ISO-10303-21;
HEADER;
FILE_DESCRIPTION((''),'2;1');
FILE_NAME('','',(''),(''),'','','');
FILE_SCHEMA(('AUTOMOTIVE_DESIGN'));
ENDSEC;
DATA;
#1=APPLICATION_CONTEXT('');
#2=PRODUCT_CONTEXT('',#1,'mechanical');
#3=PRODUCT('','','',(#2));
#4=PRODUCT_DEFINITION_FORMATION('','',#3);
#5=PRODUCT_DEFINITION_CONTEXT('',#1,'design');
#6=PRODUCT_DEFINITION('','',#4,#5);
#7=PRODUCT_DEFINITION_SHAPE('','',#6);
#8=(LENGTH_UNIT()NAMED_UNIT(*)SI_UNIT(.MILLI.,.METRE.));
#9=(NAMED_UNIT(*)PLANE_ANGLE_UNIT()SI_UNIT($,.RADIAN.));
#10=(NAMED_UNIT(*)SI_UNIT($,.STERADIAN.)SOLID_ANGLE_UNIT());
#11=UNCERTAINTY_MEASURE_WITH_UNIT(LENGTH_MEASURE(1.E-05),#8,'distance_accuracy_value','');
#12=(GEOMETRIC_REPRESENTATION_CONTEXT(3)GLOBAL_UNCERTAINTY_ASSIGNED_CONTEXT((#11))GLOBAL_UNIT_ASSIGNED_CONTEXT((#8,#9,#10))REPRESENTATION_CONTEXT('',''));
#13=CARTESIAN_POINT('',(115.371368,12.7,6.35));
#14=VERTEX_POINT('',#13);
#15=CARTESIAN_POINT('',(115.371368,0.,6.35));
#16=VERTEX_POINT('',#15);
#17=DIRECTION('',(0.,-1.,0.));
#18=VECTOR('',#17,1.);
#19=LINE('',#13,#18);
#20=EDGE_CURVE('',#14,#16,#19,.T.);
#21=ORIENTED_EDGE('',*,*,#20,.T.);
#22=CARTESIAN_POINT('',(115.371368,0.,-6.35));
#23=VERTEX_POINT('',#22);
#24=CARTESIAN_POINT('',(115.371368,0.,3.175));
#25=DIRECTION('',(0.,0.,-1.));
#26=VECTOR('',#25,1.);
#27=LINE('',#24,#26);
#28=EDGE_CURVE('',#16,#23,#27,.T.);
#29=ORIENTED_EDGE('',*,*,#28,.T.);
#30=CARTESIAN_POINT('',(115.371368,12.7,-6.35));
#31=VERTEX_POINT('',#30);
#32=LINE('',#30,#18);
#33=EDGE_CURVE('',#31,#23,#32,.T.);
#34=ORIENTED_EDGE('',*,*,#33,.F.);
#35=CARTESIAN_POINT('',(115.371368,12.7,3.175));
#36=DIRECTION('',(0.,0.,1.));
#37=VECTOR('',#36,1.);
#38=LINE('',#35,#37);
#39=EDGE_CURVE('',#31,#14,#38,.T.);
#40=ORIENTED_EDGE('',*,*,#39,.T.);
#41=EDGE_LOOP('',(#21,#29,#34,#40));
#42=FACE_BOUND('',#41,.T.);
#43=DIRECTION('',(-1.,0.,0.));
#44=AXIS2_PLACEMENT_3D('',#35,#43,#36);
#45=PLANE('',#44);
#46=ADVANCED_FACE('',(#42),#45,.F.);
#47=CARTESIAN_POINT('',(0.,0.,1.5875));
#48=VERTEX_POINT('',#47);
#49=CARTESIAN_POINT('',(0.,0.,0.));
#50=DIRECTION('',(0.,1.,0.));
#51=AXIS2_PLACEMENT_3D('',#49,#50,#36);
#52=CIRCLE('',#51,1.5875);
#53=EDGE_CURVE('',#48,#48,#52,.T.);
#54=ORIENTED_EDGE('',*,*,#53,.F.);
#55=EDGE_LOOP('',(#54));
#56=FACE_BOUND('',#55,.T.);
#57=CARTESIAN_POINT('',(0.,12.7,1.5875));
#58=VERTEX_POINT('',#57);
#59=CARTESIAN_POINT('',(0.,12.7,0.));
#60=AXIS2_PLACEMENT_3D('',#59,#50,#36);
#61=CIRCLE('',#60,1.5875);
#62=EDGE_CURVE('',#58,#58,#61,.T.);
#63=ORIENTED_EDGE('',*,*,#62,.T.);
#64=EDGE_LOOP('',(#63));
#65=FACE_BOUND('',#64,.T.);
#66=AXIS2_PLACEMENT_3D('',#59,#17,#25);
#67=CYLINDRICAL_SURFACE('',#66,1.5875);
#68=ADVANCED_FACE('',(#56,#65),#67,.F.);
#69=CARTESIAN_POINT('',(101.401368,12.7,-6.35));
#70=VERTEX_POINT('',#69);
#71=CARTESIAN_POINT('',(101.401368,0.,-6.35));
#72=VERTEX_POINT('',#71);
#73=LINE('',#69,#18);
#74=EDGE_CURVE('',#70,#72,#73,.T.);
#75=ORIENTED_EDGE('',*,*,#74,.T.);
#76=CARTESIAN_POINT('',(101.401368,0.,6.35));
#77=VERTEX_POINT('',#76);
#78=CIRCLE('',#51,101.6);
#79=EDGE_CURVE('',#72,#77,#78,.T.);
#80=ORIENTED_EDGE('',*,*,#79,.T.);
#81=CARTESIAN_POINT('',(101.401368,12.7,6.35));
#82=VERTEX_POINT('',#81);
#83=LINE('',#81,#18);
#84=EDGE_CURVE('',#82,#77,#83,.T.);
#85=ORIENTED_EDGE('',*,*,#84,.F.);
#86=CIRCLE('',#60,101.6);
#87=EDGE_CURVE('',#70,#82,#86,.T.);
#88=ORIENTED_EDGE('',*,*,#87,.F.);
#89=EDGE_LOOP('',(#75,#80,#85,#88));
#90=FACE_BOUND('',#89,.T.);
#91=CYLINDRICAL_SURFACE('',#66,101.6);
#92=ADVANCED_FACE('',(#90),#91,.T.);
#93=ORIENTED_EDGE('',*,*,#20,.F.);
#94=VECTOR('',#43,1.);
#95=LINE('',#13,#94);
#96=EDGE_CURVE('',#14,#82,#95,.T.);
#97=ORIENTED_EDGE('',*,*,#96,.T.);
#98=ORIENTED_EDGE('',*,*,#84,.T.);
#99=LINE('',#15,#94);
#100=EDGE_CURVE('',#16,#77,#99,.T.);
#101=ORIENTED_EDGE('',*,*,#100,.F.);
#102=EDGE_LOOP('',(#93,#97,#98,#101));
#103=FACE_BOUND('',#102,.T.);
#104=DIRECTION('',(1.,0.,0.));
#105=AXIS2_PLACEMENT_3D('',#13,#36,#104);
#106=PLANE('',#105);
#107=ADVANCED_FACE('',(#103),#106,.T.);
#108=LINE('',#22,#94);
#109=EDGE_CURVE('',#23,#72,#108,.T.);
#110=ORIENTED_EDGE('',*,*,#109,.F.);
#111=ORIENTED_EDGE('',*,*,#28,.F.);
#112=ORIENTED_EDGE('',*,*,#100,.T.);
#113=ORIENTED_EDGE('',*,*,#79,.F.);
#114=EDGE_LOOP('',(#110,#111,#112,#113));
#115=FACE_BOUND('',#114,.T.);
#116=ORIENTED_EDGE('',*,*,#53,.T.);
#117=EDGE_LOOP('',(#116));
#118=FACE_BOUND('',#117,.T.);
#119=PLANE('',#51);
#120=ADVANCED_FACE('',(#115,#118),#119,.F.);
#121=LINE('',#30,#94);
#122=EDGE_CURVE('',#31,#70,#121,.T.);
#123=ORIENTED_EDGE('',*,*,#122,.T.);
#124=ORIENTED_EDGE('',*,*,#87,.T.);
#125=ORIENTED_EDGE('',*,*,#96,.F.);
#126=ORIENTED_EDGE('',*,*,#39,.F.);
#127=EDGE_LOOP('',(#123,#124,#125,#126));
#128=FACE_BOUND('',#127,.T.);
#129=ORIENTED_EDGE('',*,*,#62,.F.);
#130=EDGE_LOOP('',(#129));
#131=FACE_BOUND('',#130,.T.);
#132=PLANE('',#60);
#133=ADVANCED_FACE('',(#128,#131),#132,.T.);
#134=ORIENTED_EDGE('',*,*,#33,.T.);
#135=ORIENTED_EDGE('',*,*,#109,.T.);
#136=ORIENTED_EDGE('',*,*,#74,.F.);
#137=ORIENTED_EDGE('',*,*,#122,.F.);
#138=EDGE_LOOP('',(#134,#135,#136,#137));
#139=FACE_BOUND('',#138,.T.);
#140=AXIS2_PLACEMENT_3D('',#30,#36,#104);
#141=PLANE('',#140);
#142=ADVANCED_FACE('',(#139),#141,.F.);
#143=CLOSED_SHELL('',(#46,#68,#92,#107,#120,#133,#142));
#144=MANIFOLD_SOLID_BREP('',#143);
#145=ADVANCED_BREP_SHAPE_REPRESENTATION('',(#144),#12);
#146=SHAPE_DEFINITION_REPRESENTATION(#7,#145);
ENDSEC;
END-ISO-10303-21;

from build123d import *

# Parameters (mm, degrees)
SKETCH1_R           = 1.5875
BOSS_EXTRUDE1_DEPTH = 12.7


with BuildPart() as part:
    # Sketch1 → Boss-Extrude1 (new body)
    with BuildSketch(Plane(origin=(0, 0, 0), x_dir=(1, 0, 0), z_dir=(0, 1, 0))):
        with BuildLine():
            Line((115.371368334, -3.175), (115.371368334, 6.35))
            Line((115.371368334, 6.35), (101.401368334, 6.35))
            ThreePointArc((101.401368334, 6.35), (-101.6, 0), (101.401368334, -6.35))
            Line((101.401368334, -6.35), (115.371368334, -6.35))
            Line((115.371368334, -6.35), (115.371368334, -3.175))
        make_face()
        with Locations(Location((0, 0, 0), (0, 0, 270))):
            Circle(SKETCH1_R, mode=Mode.SUBTRACT)
    extrude(amount=BOSS_EXTRUDE1_DEPTH)


solid = part.part
